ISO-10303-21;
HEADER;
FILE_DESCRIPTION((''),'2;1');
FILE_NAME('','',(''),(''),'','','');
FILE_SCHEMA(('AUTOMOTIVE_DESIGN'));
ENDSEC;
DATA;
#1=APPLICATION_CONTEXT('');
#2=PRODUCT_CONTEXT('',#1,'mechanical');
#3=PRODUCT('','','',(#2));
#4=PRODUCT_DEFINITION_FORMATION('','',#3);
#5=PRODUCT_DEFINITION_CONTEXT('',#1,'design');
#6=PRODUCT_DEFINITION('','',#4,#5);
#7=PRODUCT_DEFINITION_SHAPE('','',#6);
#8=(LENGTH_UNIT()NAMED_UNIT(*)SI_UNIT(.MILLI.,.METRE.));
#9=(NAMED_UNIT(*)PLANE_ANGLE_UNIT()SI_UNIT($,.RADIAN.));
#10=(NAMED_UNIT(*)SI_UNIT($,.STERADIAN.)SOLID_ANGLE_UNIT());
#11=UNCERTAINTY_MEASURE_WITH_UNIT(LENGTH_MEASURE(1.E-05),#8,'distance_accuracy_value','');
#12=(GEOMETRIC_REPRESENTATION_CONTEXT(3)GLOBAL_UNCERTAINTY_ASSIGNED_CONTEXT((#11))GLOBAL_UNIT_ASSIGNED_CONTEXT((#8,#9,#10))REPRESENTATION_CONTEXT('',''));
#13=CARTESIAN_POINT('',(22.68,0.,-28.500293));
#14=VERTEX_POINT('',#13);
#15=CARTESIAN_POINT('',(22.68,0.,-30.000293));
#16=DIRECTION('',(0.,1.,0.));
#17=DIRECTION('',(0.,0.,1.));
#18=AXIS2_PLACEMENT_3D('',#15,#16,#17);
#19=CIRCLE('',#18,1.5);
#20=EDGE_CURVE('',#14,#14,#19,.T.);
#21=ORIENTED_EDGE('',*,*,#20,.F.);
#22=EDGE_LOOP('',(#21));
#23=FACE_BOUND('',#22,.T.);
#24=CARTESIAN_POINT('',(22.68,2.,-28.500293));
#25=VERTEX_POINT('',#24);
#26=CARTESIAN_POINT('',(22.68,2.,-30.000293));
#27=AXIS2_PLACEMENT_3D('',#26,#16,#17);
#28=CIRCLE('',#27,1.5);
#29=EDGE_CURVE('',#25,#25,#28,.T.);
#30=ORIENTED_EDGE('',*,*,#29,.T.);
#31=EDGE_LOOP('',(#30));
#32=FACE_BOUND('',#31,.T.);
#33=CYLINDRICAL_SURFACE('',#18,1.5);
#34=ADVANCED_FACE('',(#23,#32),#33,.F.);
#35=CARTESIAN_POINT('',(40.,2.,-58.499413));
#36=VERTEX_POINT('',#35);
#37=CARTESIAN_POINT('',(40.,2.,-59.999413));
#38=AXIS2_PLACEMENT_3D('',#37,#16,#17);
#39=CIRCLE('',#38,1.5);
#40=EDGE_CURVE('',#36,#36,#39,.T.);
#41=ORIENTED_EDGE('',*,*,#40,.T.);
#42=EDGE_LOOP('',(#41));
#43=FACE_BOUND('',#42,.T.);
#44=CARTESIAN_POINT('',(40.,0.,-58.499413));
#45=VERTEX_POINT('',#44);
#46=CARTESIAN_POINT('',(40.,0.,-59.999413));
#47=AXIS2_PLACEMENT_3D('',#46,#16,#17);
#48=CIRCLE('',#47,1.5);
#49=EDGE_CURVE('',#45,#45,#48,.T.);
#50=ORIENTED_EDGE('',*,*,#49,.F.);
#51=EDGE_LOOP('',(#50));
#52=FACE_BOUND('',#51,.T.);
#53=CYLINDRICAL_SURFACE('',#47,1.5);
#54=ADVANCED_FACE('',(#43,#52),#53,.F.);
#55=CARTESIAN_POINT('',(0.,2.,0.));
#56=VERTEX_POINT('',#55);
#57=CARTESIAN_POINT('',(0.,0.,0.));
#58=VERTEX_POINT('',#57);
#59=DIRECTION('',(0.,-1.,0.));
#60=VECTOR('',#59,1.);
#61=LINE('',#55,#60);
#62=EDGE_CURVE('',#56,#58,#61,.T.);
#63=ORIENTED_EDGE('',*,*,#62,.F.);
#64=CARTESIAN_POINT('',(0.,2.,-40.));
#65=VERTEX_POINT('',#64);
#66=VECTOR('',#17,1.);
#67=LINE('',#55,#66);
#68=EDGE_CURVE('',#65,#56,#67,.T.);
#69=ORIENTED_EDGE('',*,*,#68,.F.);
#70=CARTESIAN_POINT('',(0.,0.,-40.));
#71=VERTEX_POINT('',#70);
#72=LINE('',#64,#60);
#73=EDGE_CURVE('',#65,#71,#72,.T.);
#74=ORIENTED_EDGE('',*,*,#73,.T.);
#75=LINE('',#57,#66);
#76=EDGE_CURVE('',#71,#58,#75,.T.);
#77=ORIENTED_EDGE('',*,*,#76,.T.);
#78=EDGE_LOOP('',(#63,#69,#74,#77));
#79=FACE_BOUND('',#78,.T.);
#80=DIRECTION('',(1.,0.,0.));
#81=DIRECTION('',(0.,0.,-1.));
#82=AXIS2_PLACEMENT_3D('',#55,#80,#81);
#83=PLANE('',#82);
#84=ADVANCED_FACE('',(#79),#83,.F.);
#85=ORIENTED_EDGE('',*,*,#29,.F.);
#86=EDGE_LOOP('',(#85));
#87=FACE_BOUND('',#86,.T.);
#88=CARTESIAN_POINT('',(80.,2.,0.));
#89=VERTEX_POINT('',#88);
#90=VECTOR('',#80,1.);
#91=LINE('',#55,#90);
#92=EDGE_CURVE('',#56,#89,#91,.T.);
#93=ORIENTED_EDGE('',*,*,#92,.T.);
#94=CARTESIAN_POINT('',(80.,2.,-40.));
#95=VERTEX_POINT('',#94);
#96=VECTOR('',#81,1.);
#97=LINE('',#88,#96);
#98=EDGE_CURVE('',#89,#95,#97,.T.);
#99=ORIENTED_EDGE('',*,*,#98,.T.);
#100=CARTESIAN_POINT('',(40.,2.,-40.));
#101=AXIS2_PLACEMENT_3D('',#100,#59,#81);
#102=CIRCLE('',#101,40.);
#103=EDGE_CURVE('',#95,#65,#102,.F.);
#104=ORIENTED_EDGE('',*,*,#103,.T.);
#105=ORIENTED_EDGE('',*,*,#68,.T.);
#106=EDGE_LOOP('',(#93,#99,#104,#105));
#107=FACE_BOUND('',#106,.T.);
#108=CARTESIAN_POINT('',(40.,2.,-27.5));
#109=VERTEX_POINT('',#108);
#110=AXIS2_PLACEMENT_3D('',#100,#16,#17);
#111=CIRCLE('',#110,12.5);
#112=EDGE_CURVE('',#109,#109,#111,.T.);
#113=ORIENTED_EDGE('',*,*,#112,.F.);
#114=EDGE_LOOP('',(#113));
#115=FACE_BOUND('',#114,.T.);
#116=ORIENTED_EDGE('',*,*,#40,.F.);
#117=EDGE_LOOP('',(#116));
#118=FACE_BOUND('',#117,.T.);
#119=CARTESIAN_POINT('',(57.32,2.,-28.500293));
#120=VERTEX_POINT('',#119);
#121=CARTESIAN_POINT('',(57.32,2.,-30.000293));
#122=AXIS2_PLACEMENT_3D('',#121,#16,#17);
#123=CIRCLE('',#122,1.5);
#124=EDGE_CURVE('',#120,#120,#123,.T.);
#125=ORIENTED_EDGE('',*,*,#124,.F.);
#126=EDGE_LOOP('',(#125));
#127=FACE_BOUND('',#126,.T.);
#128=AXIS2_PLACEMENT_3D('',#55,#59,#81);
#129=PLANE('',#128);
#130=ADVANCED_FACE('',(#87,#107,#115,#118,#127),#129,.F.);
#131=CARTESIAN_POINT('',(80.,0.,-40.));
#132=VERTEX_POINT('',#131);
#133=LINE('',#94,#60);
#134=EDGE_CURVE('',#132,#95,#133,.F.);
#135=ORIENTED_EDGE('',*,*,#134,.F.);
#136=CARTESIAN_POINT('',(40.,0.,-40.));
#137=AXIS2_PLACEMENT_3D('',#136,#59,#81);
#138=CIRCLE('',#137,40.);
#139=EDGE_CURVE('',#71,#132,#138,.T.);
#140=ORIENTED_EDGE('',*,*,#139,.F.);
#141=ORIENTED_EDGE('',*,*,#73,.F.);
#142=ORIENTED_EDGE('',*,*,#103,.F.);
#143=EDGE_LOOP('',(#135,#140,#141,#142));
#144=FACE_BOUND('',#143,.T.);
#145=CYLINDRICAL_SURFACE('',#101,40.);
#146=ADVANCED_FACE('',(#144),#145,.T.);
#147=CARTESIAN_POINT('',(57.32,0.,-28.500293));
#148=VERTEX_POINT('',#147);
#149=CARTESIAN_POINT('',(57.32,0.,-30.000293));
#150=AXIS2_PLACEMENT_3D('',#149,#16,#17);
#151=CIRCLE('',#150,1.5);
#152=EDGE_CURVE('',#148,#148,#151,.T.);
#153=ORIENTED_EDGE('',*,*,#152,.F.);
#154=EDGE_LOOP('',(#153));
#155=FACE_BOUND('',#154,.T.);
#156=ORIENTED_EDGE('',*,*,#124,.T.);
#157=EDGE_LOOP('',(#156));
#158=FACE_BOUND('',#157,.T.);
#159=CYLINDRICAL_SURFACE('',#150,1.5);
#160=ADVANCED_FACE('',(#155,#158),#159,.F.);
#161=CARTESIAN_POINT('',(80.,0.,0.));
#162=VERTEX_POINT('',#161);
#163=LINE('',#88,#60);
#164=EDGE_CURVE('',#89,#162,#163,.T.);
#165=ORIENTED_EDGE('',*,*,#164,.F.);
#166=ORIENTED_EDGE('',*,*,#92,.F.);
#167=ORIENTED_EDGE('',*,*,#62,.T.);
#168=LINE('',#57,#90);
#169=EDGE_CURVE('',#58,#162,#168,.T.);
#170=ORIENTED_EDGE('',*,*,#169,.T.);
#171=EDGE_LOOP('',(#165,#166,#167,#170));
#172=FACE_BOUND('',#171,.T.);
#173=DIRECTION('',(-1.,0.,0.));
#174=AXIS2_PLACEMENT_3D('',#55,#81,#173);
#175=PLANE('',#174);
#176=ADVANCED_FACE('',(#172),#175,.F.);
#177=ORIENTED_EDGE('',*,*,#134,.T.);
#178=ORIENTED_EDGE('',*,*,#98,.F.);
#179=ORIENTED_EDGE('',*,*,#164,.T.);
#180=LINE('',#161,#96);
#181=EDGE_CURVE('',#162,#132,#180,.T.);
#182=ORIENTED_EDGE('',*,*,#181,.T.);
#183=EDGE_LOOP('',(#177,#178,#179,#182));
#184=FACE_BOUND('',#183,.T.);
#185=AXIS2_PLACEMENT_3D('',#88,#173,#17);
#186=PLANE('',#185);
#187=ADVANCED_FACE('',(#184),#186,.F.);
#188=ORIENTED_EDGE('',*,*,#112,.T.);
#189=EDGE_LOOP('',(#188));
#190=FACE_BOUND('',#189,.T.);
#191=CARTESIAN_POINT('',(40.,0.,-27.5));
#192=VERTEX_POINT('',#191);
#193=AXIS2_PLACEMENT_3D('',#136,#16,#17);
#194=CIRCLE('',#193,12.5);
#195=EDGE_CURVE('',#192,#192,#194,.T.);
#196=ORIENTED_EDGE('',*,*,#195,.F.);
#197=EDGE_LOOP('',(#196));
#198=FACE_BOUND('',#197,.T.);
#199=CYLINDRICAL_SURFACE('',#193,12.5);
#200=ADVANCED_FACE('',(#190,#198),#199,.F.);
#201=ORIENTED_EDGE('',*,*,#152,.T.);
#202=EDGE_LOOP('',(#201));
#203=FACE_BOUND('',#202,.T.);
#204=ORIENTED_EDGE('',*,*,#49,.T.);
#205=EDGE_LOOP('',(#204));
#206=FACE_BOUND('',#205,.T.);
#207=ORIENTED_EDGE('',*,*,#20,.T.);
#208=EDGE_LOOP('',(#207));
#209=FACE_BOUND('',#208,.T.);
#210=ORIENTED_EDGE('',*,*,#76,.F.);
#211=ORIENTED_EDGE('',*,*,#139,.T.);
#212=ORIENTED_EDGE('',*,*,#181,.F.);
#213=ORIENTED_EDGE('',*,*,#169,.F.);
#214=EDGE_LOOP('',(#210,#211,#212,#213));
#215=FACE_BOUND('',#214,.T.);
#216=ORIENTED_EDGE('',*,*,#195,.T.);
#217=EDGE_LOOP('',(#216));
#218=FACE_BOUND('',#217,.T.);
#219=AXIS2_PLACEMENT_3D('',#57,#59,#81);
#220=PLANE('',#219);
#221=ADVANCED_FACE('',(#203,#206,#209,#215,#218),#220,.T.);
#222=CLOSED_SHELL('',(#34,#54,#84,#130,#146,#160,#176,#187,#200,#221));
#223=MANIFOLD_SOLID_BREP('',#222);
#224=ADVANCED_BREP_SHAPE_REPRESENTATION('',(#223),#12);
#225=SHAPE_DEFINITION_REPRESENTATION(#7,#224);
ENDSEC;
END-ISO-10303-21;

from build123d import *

# Parameters (mm, degrees)
SKETCH1_W           = 80
SKETCH1_H           = 80
BOSS_EXTRUDE1_DEPTH = 2
SKETCH3_R           = 12.5
CUT_EXTRUDE2_DEPTH  = 114.154761279
SKETCH5_R           = 1.5
CUT_EXTRUDE3_DEPTH  = 114.154761279
FILLET1_RADIUS      = 40
FILLET1_LENGTH      = 2


with BuildPart() as part:
    # Sketch1 → Boss-Extrude1 (new body)
    with BuildSketch(Plane(origin=(0, 0, 0), x_dir=(1, 0, 0), z_dir=(0, 1, 0))):
        with Locations((40, 40)):
            Rectangle(SKETCH1_W, SKETCH1_H)
    extrude(amount=BOSS_EXTRUDE1_DEPTH)

    # Sketch3 → Cut-Extrude2 (cut, through all)
    with BuildSketch(Plane(origin=(0, 2, 0), x_dir=(1, 0, 0), z_dir=(0, 1, 0))):
        with Locations(Location((40, 40, 0), (0, 0, 270))):
            Circle(SKETCH3_R)
    extrude(amount=-CUT_EXTRUDE2_DEPTH, mode=Mode.SUBTRACT)

    # Sketch5 → Cut-Extrude3 (cut, through all)
    with BuildSketch(Plane(origin=(0, 2, 0), x_dir=(1, 0, 0), z_dir=(0, 1, 0))):
        with Locations(Location((22.68, 30.000293338, 0), (0, 0, 270))):
            Circle(SKETCH5_R)
        with Locations(Location((57.32, 30.000293338, 0), (0, 0, 270))):
            Circle(SKETCH5_R)
        with Locations(Location((40, 59.999413325, 0), (0, 0, 270))):
            Circle(SKETCH5_R)
    extrude(amount=-CUT_EXTRUDE3_DEPTH, mode=Mode.SUBTRACT)

    # Fillet1: full round fillet: the end face becomes a half cylinder, R = half its width
    fillet1_face = Plane((40, 1, -80), x_dir=(0, 1, 0), z_dir=(0, 0, -1))  # on the end face: x along it, z out of the body
    fillet1_slab = fillet1_face.offset(-FILLET1_RADIUS / 2) * Box(FILLET1_LENGTH, 2 * FILLET1_RADIUS, FILLET1_RADIUS, mode=Mode.PRIVATE)  # the body's end, R deep
    fillet1_round = Plane((40, 1, -40), x_dir=(0, 0, -1), z_dir=(0, 1, 0)) * Cylinder(FILLET1_RADIUS, FILLET1_LENGTH, mode=Mode.PRIVATE)  # its axis R under the face
    add(fillet1_slab - fillet1_round, mode=Mode.SUBTRACT)


solid = part.part
